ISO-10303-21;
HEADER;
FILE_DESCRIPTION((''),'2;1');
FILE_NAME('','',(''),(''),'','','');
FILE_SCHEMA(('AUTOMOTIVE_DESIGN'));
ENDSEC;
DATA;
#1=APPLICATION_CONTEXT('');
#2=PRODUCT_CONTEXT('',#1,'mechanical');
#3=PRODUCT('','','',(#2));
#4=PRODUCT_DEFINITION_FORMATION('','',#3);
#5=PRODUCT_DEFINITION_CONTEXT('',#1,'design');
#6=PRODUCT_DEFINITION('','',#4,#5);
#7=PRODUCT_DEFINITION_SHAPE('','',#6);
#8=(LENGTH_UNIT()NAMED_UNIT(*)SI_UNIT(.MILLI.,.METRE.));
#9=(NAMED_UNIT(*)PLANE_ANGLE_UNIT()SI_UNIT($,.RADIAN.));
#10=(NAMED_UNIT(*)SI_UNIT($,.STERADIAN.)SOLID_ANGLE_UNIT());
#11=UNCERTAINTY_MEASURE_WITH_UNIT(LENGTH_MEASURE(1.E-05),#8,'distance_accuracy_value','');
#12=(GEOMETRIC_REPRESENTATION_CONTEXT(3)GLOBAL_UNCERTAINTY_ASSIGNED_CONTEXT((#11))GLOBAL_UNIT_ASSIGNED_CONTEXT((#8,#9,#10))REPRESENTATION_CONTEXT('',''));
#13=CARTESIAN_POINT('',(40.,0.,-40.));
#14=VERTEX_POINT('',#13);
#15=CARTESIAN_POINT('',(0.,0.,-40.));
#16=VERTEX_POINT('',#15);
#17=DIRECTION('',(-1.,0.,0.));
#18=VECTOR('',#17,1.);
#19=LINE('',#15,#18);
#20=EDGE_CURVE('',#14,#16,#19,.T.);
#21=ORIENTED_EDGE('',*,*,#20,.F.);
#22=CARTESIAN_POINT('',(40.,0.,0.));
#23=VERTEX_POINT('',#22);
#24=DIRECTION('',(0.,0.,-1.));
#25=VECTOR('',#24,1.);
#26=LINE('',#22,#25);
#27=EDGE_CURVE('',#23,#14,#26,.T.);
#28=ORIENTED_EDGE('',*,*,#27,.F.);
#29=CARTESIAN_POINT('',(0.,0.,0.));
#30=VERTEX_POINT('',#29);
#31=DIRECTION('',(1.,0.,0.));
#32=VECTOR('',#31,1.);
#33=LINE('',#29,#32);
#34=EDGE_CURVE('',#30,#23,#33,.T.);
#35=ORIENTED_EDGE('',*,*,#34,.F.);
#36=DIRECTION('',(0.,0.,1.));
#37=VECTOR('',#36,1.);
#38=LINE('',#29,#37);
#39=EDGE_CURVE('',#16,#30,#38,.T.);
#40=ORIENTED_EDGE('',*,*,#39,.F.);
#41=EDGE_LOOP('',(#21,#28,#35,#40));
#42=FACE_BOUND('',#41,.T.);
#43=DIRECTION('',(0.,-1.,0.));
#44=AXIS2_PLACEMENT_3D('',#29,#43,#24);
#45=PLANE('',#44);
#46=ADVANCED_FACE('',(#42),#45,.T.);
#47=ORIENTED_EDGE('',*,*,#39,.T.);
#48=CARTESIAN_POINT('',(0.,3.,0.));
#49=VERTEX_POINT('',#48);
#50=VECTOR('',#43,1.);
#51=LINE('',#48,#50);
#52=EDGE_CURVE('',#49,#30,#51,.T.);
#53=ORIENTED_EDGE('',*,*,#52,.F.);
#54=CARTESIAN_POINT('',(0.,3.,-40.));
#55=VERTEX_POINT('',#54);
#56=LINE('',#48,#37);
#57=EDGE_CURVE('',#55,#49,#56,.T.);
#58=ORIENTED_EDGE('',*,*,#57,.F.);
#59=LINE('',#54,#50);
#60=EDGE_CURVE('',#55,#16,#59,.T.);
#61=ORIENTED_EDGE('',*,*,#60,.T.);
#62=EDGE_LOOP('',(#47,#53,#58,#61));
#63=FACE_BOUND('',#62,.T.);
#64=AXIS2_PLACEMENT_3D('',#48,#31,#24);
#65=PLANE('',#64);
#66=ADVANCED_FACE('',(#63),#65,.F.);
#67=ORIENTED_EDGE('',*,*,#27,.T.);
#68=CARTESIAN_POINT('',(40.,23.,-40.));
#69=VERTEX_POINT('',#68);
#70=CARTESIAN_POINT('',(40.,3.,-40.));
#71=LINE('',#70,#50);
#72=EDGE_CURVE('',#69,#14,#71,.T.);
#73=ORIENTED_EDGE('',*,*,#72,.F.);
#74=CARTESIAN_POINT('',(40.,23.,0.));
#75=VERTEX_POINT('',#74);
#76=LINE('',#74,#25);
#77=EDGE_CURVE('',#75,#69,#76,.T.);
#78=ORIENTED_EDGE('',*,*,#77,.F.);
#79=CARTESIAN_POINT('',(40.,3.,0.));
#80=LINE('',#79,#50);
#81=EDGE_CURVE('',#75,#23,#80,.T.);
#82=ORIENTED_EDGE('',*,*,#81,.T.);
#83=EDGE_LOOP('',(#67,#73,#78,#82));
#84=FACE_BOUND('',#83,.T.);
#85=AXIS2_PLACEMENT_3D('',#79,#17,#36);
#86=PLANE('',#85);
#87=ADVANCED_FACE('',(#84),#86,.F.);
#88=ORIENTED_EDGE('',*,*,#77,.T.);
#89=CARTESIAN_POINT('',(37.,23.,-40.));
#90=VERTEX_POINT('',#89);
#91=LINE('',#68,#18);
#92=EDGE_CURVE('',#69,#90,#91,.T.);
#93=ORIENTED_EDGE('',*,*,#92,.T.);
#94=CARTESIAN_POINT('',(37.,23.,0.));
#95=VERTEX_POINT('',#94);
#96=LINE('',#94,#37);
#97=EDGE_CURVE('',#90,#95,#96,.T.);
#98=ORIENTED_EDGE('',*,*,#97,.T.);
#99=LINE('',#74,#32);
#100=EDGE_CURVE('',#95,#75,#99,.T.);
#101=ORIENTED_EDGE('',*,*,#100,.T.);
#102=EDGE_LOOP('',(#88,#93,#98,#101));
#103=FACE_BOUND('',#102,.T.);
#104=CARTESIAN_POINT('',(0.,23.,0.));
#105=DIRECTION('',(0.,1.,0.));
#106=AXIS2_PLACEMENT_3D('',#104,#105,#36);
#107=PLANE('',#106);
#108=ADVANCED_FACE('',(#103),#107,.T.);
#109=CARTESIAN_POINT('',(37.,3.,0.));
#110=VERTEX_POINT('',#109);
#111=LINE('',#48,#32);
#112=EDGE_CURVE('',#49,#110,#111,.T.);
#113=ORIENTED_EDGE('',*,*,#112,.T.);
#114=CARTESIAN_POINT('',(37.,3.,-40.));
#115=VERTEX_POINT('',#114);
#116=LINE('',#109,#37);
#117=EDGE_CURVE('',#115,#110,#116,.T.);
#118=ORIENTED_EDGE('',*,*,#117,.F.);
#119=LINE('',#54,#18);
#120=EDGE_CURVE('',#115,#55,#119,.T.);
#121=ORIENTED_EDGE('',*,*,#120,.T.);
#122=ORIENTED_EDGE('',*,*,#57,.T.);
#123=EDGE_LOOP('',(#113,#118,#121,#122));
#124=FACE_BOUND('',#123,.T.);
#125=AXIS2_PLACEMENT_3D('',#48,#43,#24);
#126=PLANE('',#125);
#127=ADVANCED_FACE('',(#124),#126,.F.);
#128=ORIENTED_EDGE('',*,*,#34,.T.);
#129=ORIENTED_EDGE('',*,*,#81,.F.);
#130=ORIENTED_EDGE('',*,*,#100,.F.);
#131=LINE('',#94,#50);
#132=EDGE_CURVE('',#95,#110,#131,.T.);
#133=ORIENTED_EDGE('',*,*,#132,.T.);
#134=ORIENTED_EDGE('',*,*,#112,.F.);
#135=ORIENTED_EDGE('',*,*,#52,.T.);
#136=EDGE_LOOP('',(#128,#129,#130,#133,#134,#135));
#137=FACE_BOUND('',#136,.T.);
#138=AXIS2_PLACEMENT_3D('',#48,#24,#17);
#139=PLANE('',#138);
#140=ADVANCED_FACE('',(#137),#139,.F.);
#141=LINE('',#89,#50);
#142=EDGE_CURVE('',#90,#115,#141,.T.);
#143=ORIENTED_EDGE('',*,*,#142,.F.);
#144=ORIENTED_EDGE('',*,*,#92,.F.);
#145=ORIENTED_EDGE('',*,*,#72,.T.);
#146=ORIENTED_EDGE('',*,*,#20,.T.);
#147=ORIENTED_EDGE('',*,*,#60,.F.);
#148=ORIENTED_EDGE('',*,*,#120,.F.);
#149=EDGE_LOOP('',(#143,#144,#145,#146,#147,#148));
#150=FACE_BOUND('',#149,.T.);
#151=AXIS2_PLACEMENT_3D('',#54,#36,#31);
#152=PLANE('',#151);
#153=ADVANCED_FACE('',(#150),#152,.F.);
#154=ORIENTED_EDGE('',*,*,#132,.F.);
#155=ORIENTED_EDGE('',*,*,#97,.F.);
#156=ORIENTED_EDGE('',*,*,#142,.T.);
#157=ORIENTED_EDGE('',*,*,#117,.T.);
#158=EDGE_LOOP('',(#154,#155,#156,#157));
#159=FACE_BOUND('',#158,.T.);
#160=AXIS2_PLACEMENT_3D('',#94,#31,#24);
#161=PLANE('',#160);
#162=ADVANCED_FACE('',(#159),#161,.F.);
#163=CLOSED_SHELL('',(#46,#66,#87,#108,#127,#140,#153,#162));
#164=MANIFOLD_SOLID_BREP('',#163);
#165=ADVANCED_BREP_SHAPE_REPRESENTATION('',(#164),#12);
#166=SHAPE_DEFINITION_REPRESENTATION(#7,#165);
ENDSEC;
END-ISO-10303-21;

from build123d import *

# Parameters (mm, degrees)
SKETCH1_W      = 40
SKETCH1_H      = 40
EXTRUDE1_DEPTH = 3
SKETCH2_W      = 3
SKETCH2_H      = 40
EXTRUDE2_DEPTH = 20


with BuildPart() as part:
    # Sketch1 → Extrude1 (new body)
    with BuildSketch(Plane(origin=(0, 0, 0), x_dir=(1, 0, 0), z_dir=(0, 1, 0))):
        with Locations((20, 20)):
            Rectangle(SKETCH1_W, SKETCH1_H)
    extrude(amount=EXTRUDE1_DEPTH)

    # Sketch2 → Extrude2 (add)
    with BuildSketch(Plane(origin=(0, 3, 0), x_dir=(1, 0, 0), z_dir=(0, 1, 0))):
        with Locations((38.5, 20)):
            Rectangle(SKETCH2_W, SKETCH2_H)
    extrude(amount=EXTRUDE2_DEPTH)


solid = part.part
